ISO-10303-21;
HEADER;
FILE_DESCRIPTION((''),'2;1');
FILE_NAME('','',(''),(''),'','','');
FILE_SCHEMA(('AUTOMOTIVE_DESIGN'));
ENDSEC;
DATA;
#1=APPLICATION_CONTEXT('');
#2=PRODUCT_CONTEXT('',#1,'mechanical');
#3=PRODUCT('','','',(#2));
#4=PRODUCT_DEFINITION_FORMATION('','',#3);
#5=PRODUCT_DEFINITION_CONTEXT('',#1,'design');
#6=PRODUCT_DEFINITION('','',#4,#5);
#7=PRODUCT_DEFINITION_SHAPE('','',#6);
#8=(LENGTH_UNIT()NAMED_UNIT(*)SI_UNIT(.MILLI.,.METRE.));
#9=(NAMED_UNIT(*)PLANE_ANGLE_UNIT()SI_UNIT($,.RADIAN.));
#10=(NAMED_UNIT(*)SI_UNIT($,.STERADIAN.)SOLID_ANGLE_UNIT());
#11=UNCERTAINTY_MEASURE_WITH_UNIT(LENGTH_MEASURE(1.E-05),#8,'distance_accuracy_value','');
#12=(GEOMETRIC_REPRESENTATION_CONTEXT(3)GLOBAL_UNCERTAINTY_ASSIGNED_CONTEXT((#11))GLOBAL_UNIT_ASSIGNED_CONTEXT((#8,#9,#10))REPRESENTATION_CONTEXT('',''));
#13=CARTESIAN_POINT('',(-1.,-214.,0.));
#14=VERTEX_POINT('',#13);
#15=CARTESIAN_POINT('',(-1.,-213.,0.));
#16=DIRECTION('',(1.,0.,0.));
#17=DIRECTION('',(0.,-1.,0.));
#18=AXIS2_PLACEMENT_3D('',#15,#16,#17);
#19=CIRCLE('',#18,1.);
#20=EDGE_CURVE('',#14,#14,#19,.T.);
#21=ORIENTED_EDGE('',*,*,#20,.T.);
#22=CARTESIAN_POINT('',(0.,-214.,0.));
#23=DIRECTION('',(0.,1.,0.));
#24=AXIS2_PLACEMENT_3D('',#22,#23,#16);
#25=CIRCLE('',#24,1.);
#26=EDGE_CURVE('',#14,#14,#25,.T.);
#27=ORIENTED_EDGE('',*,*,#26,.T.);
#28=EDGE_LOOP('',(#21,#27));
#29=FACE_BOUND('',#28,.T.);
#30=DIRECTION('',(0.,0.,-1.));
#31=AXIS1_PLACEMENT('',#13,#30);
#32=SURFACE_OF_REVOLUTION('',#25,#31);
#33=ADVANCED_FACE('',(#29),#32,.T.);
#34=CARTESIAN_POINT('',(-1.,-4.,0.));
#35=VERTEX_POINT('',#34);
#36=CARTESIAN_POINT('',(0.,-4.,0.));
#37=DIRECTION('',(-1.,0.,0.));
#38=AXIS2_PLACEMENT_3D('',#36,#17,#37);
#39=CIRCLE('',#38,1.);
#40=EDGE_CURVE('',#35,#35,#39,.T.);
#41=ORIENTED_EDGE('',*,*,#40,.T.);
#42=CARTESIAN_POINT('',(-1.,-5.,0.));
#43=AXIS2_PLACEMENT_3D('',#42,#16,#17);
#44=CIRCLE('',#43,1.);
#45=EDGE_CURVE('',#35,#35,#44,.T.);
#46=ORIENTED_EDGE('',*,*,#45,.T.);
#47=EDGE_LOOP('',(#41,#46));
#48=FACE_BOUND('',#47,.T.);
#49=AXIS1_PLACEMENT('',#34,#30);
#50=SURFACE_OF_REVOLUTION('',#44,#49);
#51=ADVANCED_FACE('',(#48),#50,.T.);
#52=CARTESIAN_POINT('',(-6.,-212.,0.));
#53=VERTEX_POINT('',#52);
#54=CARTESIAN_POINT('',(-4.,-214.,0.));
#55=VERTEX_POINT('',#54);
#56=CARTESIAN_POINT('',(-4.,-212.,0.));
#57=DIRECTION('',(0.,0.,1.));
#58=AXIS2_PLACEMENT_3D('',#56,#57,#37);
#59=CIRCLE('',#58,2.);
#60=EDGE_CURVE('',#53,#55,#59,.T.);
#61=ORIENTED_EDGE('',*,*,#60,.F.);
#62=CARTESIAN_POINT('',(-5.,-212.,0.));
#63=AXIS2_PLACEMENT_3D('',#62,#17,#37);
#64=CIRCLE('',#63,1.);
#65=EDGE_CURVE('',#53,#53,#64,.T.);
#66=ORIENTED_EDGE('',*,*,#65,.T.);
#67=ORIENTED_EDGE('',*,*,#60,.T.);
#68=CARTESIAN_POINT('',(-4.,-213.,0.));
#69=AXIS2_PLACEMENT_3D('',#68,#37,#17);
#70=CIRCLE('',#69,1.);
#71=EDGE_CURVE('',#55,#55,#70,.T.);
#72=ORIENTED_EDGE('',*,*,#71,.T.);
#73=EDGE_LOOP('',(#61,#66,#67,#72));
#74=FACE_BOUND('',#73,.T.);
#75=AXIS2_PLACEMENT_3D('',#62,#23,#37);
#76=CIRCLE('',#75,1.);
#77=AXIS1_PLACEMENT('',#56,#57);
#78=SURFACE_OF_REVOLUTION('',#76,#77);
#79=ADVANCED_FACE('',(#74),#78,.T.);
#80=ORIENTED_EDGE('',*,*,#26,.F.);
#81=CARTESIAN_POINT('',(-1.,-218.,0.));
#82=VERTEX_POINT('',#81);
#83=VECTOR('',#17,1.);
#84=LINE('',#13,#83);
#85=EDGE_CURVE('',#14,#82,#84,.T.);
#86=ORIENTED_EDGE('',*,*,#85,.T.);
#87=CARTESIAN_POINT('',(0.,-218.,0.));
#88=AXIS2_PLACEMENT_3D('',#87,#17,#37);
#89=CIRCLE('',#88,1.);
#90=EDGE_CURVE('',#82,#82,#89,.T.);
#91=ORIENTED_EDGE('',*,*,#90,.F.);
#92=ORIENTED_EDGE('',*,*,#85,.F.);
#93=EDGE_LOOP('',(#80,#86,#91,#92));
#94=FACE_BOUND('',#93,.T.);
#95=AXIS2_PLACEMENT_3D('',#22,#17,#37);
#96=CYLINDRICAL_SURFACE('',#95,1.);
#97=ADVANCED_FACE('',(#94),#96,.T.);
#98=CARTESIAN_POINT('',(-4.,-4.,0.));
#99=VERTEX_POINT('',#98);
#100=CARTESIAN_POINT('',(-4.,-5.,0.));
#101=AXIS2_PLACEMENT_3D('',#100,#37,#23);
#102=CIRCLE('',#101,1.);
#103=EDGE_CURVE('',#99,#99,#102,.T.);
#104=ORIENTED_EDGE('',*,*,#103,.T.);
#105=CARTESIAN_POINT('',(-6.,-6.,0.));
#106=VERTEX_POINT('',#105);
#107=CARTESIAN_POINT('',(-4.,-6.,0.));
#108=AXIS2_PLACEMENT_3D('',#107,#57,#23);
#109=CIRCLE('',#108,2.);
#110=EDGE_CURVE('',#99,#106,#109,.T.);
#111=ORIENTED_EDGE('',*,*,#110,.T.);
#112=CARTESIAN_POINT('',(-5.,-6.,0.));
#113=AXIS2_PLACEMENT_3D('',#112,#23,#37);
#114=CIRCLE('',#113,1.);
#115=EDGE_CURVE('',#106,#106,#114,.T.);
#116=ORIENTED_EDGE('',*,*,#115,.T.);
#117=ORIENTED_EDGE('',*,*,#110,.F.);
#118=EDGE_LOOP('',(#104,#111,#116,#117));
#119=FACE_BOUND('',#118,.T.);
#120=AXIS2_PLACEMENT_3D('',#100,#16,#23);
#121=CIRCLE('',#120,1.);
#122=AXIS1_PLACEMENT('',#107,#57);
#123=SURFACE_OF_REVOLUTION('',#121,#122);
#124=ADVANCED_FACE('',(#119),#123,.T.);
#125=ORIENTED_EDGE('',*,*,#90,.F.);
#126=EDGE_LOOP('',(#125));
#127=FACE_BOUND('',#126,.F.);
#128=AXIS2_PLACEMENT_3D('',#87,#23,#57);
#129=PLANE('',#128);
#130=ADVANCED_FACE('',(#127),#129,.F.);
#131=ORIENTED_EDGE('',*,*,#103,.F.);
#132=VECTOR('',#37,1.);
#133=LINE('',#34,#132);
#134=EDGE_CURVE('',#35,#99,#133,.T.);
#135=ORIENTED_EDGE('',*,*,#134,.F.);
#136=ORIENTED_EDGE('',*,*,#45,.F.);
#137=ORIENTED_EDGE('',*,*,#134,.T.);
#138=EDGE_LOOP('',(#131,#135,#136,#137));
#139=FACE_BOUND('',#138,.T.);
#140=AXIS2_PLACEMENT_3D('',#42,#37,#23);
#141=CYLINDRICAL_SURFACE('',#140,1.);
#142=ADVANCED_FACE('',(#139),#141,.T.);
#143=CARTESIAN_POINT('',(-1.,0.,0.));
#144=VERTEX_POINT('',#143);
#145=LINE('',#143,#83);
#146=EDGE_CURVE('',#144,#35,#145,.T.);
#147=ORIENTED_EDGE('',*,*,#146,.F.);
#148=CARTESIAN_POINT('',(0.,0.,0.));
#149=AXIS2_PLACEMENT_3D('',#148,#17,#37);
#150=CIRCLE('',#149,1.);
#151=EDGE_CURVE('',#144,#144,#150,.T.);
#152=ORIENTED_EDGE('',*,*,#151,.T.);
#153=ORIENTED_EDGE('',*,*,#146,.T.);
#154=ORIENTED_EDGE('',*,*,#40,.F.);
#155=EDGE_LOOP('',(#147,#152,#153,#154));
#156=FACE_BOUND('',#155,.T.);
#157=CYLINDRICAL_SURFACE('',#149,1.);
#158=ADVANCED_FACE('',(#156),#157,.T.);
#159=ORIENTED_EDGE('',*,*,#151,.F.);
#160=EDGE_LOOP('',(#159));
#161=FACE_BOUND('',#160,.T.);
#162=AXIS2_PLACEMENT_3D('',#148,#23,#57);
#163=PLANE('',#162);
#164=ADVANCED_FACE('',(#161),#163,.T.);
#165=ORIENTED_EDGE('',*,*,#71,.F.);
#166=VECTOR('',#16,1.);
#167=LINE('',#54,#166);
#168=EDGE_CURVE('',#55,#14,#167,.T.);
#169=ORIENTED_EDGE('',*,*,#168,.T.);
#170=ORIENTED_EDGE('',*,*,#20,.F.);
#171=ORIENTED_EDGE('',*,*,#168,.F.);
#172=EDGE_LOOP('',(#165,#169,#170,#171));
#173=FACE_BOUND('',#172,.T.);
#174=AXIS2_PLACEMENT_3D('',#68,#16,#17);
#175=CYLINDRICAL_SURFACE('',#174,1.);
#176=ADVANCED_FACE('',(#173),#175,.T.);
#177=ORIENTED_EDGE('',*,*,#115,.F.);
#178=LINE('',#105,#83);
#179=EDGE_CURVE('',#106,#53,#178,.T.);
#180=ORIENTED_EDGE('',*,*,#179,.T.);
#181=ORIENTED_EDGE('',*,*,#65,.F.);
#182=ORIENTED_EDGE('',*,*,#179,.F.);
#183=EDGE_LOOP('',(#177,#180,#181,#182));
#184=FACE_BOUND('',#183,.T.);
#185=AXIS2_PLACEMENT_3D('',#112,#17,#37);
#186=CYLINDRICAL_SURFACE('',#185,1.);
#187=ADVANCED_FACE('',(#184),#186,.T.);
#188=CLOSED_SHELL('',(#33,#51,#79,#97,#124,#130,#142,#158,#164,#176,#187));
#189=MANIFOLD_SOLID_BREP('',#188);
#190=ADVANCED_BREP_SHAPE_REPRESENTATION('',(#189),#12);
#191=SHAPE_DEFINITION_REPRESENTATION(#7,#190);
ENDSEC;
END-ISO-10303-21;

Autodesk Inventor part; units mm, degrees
ref_plane "YZ Plane" through (0, 0, 0) normal (1, 0, 0) x (0, 1, 0)
ref_plane "XZ Plane" through (0, 0, 0) normal (0, 1, 0) x (-1, 0, 0)
ref_plane "XY Plane" through (0, 0, 0) normal (0, 0, 1) x (1, 0, 0)
sketch "Sketch2" plane through (0, 0, 0) normal (0, 1, 0) x (-1, 0, 0)
  circle A0 centre (0, 0) radius 1
  dimension "d0" = 2
sketch "Sketch3" plane through (0, 0, 0) normal (0, 0, 1) x (1, 0, 0)
  line L0 (0, 0) -> (0, -4)
  line L1 (-1, -5) -> (-4, -5)
  line L2 (-5, -6) -> (-5, -212)
  line L3 (-4, -213) -> (-1, -213)
  line L4 (0, -214) -> (0, -218)
  arc A0 (-1, -5) -> (0, -4) centre (-1, -4) ccw
  arc A1 (-4, -5) -> (-5, -6) centre (-4, -6) ccw
  arc A2 (-5, -212) -> (-4, -213) centre (-4, -212) ccw
  arc A3 (0, -214) -> (-1, -213) centre (-1, -214) ccw
  point P0 (0, -5)
  point P1 (-5, -5)
  point P2 (-5, -213)
  point P3 (0, -213)
  dimension "d1" = 5
  dimension "d2" = 5
  dimension "d3" = 5
  dimension "d4" = 208
  dimension "d7" = 1
  dimension "d8" = 1
  dimension "d9" = 1
sweep "Sweep1" add profiles "Sketch2" path "Sketch3"
equation "\"d2\" = d1"
properties part number "Selection_Wire" material "Steel"
